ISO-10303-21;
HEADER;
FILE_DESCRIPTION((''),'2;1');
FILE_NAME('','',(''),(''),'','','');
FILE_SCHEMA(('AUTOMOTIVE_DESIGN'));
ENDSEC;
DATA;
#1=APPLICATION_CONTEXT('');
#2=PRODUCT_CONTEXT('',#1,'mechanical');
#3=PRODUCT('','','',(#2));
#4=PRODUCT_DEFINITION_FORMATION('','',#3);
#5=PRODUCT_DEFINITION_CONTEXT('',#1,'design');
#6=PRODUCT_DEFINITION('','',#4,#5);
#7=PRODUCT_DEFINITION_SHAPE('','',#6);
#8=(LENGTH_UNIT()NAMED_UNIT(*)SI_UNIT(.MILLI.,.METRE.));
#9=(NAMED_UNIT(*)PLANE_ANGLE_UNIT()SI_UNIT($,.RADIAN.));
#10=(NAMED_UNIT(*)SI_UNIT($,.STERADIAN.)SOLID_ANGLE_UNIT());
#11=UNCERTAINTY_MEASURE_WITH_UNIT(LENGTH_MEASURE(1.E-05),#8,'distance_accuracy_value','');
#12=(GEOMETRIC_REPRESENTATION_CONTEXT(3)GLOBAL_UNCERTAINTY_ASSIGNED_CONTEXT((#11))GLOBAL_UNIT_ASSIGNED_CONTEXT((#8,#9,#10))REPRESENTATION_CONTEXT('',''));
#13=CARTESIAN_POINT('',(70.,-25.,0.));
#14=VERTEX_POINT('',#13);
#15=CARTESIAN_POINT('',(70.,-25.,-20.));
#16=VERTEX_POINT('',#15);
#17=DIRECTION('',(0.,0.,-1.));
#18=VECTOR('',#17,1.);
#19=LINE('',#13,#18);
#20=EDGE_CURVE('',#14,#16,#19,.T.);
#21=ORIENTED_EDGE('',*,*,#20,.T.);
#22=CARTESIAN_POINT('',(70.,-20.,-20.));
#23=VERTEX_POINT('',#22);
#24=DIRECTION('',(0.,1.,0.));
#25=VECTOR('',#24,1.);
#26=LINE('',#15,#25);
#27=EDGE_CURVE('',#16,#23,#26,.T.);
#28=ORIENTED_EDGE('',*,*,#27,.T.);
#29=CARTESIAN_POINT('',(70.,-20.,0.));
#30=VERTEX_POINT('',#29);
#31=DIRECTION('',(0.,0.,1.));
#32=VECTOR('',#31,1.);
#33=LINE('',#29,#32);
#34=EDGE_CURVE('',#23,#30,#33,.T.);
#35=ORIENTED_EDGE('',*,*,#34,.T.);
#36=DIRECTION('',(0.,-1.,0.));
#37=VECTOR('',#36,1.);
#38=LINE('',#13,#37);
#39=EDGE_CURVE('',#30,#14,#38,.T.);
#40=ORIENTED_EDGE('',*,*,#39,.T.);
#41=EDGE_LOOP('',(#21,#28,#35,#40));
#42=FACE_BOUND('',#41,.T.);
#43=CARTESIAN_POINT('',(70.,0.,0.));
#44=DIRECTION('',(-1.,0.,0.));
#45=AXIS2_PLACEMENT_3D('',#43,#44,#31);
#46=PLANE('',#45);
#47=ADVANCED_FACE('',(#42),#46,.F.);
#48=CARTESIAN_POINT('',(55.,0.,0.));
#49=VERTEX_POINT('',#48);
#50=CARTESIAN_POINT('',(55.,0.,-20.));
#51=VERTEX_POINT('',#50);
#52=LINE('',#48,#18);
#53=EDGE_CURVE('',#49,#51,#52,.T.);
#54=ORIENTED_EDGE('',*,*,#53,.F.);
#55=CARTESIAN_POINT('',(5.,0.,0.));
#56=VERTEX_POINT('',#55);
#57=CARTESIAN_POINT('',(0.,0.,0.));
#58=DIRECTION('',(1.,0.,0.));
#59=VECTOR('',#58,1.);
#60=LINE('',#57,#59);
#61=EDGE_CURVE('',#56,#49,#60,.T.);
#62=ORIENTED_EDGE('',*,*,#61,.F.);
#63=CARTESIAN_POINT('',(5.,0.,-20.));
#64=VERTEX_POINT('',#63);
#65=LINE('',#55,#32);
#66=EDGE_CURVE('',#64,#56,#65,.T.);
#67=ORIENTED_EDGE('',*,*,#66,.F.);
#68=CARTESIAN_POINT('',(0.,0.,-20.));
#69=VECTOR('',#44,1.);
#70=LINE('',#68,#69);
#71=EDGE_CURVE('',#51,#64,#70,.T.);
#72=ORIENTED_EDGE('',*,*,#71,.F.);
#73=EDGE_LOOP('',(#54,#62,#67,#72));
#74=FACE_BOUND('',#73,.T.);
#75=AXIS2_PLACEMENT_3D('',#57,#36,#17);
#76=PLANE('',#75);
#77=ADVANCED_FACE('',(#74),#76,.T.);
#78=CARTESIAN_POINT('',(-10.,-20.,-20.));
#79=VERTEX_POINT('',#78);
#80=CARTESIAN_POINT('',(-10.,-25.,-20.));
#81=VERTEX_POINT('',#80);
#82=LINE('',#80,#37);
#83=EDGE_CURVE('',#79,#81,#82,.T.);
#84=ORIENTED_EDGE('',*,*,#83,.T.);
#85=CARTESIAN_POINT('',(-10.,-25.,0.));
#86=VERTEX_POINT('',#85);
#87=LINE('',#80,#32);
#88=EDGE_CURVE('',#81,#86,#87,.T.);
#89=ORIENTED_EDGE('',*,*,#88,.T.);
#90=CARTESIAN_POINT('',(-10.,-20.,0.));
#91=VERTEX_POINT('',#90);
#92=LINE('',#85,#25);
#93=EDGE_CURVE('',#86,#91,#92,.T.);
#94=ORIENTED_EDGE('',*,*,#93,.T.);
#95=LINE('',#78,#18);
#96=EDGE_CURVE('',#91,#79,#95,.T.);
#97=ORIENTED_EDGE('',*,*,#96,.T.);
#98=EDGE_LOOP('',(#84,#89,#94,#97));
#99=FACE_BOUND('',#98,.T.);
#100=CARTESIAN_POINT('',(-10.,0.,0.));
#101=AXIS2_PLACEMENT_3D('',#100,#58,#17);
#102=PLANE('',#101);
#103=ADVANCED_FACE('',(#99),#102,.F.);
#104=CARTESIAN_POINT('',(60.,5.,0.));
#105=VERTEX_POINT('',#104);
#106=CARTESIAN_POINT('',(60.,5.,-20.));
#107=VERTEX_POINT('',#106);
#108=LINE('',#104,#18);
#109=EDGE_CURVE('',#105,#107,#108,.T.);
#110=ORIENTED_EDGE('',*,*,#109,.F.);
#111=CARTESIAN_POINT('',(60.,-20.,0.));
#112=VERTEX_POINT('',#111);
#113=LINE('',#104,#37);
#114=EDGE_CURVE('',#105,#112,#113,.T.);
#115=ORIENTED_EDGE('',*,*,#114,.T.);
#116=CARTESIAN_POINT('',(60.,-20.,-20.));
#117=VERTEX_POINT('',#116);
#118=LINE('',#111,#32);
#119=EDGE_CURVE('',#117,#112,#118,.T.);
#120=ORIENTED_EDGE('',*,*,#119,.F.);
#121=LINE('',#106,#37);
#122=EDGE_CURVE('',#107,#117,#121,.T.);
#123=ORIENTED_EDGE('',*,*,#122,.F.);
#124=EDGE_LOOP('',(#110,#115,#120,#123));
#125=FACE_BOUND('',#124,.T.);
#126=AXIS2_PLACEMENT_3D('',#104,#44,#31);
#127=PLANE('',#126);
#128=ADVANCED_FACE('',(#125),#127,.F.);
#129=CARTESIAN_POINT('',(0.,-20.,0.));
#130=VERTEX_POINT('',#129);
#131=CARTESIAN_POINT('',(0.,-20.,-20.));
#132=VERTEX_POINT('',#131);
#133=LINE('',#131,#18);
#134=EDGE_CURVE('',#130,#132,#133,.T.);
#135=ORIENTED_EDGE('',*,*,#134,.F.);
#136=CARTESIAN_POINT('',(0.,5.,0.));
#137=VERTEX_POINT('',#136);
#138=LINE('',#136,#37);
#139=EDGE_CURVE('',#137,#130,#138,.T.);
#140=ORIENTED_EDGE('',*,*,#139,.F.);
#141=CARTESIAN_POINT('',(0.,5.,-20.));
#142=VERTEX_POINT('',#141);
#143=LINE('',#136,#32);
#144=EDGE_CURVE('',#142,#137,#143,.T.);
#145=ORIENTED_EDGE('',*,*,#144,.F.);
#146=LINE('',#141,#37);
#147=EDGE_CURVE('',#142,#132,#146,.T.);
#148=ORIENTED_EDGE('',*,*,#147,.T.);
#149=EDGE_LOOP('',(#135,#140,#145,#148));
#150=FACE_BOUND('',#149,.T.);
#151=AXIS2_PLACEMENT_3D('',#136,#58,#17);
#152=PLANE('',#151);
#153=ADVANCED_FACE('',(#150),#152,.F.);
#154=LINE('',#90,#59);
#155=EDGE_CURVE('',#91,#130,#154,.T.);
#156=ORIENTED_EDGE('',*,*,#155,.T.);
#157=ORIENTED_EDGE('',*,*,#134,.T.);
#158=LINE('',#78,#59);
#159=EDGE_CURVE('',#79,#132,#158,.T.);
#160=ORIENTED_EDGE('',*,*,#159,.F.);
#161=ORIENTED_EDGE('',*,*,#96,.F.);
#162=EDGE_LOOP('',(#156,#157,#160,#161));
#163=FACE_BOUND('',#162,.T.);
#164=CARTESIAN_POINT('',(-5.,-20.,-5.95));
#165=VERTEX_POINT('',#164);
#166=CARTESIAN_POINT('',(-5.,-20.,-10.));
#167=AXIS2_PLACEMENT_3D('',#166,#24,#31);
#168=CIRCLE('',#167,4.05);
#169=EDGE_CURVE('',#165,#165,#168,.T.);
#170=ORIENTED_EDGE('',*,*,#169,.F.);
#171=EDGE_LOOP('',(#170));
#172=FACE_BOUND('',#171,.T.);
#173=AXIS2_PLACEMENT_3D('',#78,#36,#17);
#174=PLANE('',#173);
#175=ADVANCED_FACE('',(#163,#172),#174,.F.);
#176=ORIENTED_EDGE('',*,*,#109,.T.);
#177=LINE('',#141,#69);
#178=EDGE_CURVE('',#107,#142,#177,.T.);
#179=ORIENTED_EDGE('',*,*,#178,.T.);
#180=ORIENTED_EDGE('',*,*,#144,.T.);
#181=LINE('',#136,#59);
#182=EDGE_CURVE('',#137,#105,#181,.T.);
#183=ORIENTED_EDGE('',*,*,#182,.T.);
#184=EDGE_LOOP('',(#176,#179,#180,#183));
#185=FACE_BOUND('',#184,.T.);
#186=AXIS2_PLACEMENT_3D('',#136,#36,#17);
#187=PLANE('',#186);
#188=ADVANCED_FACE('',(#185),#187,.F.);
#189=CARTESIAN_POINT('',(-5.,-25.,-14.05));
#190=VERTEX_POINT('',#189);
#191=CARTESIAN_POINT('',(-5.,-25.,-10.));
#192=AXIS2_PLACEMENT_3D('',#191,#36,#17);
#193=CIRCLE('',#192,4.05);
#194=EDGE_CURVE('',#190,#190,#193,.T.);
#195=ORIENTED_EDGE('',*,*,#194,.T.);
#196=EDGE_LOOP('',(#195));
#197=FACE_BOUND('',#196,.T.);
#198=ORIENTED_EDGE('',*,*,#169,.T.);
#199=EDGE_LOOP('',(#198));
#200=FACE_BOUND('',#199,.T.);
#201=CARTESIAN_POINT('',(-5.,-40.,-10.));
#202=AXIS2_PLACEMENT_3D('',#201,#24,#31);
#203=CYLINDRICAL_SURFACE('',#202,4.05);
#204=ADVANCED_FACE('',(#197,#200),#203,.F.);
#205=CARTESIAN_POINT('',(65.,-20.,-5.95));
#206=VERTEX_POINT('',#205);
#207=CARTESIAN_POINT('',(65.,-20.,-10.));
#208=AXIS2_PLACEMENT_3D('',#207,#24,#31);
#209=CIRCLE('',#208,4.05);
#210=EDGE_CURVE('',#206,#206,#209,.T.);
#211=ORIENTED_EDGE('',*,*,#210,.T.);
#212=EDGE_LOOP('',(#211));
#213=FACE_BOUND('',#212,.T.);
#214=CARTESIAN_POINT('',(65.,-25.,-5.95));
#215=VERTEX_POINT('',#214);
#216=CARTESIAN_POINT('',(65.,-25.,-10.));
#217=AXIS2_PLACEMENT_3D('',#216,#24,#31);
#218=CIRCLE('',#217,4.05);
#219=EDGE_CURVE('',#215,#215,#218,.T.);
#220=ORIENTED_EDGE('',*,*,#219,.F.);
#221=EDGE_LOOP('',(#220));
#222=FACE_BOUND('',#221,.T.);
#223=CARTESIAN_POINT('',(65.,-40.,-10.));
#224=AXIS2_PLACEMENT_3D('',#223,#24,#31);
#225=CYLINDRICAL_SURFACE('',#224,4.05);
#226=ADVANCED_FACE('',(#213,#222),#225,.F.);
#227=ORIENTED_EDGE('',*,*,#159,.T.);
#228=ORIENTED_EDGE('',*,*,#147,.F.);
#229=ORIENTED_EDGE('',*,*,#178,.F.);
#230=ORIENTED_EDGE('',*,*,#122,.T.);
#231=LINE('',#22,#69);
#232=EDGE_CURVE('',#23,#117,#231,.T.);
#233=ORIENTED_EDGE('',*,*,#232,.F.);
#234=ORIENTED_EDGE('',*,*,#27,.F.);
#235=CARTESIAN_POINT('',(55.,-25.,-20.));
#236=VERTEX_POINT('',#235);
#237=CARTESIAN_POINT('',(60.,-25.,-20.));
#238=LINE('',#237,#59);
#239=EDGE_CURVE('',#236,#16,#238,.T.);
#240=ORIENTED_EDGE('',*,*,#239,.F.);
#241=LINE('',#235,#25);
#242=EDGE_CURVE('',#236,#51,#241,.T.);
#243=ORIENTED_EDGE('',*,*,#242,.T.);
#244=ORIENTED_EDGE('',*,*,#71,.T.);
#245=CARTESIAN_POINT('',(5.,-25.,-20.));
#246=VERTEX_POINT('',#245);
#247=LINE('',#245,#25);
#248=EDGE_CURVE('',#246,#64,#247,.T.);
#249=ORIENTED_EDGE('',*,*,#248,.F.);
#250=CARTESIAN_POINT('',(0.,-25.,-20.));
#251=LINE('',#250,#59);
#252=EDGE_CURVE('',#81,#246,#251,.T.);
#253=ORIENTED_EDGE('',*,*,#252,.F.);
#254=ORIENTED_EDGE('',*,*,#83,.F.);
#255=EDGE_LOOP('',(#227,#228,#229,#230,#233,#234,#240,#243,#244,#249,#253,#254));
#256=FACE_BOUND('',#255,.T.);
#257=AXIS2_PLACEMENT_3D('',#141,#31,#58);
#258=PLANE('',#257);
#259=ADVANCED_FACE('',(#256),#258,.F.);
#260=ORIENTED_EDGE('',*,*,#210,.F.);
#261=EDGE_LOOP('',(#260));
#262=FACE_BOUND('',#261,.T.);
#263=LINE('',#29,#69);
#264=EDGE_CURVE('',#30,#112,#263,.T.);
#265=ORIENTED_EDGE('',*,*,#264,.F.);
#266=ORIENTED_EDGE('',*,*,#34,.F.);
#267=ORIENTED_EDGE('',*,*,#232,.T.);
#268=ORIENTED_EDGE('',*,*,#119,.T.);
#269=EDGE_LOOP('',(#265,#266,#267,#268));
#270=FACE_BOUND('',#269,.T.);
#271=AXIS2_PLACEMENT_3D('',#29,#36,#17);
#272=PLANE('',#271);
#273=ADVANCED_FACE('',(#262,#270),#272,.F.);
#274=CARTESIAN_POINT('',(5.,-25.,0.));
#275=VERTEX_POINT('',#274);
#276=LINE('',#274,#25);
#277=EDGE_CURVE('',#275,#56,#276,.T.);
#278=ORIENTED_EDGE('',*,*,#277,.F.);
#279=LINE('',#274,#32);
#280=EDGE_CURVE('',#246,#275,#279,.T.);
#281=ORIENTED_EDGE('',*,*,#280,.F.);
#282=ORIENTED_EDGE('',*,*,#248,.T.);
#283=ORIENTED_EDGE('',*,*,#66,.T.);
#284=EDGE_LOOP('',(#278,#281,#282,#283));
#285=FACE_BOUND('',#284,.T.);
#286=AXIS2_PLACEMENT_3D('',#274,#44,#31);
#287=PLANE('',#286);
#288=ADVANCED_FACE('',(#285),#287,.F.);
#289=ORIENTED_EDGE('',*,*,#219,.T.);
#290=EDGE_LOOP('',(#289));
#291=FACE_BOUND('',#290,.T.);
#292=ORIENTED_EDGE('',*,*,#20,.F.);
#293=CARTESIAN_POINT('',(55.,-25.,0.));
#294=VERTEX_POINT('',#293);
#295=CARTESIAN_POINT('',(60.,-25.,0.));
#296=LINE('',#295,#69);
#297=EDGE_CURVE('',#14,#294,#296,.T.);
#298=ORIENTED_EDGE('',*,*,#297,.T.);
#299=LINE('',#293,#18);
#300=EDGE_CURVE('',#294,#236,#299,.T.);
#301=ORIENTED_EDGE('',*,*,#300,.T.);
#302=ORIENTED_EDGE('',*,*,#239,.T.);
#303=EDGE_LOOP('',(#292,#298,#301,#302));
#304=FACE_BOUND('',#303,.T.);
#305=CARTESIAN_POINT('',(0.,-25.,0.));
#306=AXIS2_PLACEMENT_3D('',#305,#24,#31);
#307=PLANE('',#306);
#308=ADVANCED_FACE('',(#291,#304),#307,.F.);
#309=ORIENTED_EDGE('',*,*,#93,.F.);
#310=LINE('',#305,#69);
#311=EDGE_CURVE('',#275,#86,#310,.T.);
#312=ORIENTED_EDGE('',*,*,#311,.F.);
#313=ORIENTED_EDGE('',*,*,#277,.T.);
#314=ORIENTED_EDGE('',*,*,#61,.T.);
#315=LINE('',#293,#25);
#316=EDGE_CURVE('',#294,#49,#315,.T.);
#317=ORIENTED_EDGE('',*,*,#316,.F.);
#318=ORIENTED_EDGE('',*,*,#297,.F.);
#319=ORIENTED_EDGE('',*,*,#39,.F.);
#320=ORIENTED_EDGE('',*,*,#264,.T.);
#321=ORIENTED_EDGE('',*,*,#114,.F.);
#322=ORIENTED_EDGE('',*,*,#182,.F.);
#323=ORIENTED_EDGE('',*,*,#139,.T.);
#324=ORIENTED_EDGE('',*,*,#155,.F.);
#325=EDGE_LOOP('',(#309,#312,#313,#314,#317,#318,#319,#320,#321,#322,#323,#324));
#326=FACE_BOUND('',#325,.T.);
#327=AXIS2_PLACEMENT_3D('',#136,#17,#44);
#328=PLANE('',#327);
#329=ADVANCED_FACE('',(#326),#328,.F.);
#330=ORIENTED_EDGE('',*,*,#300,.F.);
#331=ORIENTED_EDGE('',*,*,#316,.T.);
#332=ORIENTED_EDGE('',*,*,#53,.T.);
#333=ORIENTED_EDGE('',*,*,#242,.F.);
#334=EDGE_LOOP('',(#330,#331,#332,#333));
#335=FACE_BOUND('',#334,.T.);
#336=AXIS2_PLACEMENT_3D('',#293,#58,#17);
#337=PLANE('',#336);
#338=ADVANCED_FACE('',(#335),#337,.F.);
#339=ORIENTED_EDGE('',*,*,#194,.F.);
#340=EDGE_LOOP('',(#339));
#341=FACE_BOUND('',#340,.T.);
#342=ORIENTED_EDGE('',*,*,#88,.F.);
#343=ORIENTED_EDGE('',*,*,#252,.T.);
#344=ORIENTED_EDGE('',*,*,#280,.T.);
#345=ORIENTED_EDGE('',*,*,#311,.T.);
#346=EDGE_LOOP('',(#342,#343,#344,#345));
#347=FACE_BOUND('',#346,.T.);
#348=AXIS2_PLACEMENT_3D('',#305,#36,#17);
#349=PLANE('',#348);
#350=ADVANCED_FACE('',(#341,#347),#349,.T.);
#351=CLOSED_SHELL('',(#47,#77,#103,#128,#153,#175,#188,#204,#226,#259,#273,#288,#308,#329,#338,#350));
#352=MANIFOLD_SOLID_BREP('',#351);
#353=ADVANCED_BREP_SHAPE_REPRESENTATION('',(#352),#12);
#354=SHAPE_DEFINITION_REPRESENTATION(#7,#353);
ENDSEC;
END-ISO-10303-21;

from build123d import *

# Parameters (mm, degrees)
SKETCH1_W           = 60
SKETCH1_H           = 20
BOSS_EXTRUDE1_DEPTH = 5
SKETCH2_W           = 5
SKETCH2_H           = 20
BOSS_EXTRUDE2_DEPTH = 25
SKETCH3_W           = 20
SKETCH3_H           = 5
BOSS_EXTRUDE3_DEPTH = 10
SKETCH4_W           = 20
SKETCH4_H           = 5
BOSS_EXTRUDE4_DEPTH = 10
SKETCH5_R           = 4.05
CUT_EXTRUDE1_DEPTH  = 20


with BuildPart() as part:
    # Sketch1 → Boss-Extrude1 (new body)
    with BuildSketch(Plane(origin=(0, 0, 0), x_dir=(1, 0, 0), z_dir=(0, 1, 0))):
        with Locations((30, 10)):
            Rectangle(SKETCH1_W, SKETCH1_H)
    extrude(amount=BOSS_EXTRUDE1_DEPTH)

    # Sketch2 → Boss-Extrude2 (add)
    with BuildSketch(Plane.XZ):
        with Locations((2.5, -10)):
            Rectangle(SKETCH2_W, SKETCH2_H)
        with Locations((57.5, -10)):
            Rectangle(SKETCH2_W, SKETCH2_H)
    extrude(amount=BOSS_EXTRUDE2_DEPTH)

    # Sketch3 → Boss-Extrude3 (add)
    with BuildSketch(Plane(origin=(60, 0, 0), x_dir=(0, 0, -1), z_dir=(1, 0, 0))):
        with Locations((10, -22.5)):
            Rectangle(SKETCH3_W, SKETCH3_H)
    extrude(amount=BOSS_EXTRUDE3_DEPTH)

    # Sketch4 → Boss-Extrude4 (add)
    with BuildSketch(Plane.ZY):
        with Locations((-10, -22.5)):
            Rectangle(SKETCH4_W, SKETCH4_H)
    extrude(amount=BOSS_EXTRUDE4_DEPTH)

    # Sketch5 → Cut-Extrude1 (cut)
    with BuildSketch(Plane(origin=(0, -20, 0), x_dir=(1, 0, 0), z_dir=(0, 1, 0))):
        with BuildLine():
            ThreePointArc((60.95, 10), (65, 5.95), (69.05, 10))
            Line((69.05, 10), (60.95, 10))
        make_face()
        with BuildLine():
            Line((60.95, 10), (69.05, 10))
            ThreePointArc((69.05, 10), (65, 14.05), (60.95, 10))
        make_face()
        with Locations(Location((-5, 10, 0), (0, 0, 270))):
            Circle(SKETCH5_R)
    extrude(amount=-CUT_EXTRUDE1_DEPTH, mode=Mode.SUBTRACT)


solid = part.part
